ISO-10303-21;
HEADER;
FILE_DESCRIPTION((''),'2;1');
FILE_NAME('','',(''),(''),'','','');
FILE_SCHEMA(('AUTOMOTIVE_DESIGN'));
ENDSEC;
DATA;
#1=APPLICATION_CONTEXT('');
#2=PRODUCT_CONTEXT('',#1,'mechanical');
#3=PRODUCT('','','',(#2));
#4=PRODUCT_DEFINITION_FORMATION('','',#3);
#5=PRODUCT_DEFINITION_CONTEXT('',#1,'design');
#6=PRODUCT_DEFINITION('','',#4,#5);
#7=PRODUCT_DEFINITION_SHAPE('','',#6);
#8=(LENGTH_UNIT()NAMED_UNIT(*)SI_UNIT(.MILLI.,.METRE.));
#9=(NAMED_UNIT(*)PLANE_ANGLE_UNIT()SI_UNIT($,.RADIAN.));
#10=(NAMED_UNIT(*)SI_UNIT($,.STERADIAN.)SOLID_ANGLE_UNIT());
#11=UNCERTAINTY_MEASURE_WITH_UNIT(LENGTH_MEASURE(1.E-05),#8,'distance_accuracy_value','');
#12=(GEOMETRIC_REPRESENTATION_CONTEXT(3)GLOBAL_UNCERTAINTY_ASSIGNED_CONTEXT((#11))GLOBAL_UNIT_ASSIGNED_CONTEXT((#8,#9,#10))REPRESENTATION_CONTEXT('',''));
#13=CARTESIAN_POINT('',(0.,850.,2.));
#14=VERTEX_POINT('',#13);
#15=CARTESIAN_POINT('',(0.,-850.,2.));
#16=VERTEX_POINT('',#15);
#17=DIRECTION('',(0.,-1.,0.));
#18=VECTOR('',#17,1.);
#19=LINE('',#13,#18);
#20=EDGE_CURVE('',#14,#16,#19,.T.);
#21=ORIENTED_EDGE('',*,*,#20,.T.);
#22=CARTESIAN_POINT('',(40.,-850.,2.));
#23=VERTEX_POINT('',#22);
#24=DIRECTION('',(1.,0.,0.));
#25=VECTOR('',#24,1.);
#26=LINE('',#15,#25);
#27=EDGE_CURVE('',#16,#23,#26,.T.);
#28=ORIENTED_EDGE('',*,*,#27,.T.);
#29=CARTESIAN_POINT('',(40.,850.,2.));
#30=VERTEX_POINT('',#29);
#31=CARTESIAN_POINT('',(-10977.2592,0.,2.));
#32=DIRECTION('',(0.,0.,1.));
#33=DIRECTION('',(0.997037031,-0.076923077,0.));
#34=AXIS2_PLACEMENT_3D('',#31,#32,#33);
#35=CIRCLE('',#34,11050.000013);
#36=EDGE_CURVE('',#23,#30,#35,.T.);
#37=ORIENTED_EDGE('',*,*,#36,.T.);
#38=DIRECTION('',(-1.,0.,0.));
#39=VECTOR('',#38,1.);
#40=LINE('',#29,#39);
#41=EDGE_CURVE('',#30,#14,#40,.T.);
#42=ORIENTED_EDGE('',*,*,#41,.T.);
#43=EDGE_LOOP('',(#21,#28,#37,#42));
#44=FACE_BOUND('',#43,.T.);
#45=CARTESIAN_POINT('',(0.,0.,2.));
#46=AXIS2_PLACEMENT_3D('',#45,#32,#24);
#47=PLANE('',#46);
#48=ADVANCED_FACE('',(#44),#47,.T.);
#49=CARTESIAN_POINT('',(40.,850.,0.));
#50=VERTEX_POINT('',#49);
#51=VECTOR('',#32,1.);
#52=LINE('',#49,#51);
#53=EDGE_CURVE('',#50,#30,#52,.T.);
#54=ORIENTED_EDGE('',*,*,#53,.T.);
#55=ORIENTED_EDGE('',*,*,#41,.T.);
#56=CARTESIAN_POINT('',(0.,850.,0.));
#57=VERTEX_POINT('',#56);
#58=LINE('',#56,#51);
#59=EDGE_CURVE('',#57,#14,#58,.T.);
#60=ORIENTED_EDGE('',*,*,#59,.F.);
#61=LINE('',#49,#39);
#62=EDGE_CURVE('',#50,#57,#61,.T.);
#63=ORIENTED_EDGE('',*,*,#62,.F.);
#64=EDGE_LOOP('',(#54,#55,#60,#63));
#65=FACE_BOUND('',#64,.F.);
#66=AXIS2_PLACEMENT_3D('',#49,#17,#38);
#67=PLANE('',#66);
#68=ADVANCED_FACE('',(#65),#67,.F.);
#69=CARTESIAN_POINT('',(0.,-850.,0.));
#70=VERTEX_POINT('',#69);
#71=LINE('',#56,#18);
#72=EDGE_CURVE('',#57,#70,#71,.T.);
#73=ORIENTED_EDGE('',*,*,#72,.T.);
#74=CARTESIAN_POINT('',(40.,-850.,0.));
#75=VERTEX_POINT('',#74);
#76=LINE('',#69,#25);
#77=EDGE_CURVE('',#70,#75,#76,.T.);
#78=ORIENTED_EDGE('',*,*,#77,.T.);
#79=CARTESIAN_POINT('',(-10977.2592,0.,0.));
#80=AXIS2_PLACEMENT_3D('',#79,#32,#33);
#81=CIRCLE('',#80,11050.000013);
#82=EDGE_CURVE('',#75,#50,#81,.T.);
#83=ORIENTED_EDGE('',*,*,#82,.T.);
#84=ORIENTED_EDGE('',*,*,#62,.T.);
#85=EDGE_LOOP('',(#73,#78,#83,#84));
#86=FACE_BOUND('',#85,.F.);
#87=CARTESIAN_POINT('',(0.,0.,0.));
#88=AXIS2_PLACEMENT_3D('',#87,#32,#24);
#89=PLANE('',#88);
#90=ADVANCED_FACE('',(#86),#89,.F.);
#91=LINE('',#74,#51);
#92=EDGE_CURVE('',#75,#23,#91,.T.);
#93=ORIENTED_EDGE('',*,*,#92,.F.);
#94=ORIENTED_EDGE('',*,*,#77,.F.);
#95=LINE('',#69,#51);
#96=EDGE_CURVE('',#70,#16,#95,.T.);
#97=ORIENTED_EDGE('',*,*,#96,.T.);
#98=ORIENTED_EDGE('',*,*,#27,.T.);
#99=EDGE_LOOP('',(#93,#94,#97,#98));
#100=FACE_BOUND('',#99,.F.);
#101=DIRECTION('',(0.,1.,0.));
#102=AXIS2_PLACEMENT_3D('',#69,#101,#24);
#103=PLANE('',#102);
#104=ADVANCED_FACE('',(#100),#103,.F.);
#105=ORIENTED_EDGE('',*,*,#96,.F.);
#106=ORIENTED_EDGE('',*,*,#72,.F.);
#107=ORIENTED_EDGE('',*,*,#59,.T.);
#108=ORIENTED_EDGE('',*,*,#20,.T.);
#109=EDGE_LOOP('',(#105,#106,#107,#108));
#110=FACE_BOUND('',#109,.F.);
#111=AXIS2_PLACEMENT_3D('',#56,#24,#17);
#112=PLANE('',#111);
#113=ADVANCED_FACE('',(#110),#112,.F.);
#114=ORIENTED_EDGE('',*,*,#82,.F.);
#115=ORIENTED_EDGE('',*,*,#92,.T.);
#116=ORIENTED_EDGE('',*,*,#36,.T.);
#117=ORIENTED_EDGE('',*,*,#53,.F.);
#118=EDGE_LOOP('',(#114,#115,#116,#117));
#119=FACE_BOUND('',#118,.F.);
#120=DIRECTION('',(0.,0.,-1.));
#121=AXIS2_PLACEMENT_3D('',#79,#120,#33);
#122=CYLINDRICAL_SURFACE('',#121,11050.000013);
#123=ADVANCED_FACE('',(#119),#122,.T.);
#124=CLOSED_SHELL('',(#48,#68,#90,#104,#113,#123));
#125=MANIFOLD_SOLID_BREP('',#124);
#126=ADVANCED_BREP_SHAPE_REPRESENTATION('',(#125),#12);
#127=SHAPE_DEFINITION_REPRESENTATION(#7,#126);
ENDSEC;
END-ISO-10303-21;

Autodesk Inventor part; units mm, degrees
ref_plane "YZ Plane" through (0, 0, 0) normal (1, 0, 0) x (0, 1, 0)
ref_plane "XZ Plane" through (0, 0, 0) normal (0, 1, 0) x (-1, 0, 0)
ref_plane "XY Plane" through (0, 0, 0) normal (0, 0, 1) x (1, 0, 0)
sketch "Sketch1" plane through (0, 0, 0) normal (0, 0, 1) x (1, 0, 0)
  arc A0 (40, -850) -> (40, 850) centre (-10977.2592, 0) ccw
  line L0 (0, -850) -> (40, -850)
  line L1 (40, 850) -> (0, 850)
  line L2 (0, 850) -> (0, -850)
  point P0 (0, 0)
  point P1 (0, 0)
  dimension "d121" = 1700
  dimension "d122" = 40
  dimension "d128" = 11050
extrude "Plate3" add sketch "Sketch1" along normal blind 2
properties part number "MSC 0512 RIB BACK MOULD" material "AISI304"
